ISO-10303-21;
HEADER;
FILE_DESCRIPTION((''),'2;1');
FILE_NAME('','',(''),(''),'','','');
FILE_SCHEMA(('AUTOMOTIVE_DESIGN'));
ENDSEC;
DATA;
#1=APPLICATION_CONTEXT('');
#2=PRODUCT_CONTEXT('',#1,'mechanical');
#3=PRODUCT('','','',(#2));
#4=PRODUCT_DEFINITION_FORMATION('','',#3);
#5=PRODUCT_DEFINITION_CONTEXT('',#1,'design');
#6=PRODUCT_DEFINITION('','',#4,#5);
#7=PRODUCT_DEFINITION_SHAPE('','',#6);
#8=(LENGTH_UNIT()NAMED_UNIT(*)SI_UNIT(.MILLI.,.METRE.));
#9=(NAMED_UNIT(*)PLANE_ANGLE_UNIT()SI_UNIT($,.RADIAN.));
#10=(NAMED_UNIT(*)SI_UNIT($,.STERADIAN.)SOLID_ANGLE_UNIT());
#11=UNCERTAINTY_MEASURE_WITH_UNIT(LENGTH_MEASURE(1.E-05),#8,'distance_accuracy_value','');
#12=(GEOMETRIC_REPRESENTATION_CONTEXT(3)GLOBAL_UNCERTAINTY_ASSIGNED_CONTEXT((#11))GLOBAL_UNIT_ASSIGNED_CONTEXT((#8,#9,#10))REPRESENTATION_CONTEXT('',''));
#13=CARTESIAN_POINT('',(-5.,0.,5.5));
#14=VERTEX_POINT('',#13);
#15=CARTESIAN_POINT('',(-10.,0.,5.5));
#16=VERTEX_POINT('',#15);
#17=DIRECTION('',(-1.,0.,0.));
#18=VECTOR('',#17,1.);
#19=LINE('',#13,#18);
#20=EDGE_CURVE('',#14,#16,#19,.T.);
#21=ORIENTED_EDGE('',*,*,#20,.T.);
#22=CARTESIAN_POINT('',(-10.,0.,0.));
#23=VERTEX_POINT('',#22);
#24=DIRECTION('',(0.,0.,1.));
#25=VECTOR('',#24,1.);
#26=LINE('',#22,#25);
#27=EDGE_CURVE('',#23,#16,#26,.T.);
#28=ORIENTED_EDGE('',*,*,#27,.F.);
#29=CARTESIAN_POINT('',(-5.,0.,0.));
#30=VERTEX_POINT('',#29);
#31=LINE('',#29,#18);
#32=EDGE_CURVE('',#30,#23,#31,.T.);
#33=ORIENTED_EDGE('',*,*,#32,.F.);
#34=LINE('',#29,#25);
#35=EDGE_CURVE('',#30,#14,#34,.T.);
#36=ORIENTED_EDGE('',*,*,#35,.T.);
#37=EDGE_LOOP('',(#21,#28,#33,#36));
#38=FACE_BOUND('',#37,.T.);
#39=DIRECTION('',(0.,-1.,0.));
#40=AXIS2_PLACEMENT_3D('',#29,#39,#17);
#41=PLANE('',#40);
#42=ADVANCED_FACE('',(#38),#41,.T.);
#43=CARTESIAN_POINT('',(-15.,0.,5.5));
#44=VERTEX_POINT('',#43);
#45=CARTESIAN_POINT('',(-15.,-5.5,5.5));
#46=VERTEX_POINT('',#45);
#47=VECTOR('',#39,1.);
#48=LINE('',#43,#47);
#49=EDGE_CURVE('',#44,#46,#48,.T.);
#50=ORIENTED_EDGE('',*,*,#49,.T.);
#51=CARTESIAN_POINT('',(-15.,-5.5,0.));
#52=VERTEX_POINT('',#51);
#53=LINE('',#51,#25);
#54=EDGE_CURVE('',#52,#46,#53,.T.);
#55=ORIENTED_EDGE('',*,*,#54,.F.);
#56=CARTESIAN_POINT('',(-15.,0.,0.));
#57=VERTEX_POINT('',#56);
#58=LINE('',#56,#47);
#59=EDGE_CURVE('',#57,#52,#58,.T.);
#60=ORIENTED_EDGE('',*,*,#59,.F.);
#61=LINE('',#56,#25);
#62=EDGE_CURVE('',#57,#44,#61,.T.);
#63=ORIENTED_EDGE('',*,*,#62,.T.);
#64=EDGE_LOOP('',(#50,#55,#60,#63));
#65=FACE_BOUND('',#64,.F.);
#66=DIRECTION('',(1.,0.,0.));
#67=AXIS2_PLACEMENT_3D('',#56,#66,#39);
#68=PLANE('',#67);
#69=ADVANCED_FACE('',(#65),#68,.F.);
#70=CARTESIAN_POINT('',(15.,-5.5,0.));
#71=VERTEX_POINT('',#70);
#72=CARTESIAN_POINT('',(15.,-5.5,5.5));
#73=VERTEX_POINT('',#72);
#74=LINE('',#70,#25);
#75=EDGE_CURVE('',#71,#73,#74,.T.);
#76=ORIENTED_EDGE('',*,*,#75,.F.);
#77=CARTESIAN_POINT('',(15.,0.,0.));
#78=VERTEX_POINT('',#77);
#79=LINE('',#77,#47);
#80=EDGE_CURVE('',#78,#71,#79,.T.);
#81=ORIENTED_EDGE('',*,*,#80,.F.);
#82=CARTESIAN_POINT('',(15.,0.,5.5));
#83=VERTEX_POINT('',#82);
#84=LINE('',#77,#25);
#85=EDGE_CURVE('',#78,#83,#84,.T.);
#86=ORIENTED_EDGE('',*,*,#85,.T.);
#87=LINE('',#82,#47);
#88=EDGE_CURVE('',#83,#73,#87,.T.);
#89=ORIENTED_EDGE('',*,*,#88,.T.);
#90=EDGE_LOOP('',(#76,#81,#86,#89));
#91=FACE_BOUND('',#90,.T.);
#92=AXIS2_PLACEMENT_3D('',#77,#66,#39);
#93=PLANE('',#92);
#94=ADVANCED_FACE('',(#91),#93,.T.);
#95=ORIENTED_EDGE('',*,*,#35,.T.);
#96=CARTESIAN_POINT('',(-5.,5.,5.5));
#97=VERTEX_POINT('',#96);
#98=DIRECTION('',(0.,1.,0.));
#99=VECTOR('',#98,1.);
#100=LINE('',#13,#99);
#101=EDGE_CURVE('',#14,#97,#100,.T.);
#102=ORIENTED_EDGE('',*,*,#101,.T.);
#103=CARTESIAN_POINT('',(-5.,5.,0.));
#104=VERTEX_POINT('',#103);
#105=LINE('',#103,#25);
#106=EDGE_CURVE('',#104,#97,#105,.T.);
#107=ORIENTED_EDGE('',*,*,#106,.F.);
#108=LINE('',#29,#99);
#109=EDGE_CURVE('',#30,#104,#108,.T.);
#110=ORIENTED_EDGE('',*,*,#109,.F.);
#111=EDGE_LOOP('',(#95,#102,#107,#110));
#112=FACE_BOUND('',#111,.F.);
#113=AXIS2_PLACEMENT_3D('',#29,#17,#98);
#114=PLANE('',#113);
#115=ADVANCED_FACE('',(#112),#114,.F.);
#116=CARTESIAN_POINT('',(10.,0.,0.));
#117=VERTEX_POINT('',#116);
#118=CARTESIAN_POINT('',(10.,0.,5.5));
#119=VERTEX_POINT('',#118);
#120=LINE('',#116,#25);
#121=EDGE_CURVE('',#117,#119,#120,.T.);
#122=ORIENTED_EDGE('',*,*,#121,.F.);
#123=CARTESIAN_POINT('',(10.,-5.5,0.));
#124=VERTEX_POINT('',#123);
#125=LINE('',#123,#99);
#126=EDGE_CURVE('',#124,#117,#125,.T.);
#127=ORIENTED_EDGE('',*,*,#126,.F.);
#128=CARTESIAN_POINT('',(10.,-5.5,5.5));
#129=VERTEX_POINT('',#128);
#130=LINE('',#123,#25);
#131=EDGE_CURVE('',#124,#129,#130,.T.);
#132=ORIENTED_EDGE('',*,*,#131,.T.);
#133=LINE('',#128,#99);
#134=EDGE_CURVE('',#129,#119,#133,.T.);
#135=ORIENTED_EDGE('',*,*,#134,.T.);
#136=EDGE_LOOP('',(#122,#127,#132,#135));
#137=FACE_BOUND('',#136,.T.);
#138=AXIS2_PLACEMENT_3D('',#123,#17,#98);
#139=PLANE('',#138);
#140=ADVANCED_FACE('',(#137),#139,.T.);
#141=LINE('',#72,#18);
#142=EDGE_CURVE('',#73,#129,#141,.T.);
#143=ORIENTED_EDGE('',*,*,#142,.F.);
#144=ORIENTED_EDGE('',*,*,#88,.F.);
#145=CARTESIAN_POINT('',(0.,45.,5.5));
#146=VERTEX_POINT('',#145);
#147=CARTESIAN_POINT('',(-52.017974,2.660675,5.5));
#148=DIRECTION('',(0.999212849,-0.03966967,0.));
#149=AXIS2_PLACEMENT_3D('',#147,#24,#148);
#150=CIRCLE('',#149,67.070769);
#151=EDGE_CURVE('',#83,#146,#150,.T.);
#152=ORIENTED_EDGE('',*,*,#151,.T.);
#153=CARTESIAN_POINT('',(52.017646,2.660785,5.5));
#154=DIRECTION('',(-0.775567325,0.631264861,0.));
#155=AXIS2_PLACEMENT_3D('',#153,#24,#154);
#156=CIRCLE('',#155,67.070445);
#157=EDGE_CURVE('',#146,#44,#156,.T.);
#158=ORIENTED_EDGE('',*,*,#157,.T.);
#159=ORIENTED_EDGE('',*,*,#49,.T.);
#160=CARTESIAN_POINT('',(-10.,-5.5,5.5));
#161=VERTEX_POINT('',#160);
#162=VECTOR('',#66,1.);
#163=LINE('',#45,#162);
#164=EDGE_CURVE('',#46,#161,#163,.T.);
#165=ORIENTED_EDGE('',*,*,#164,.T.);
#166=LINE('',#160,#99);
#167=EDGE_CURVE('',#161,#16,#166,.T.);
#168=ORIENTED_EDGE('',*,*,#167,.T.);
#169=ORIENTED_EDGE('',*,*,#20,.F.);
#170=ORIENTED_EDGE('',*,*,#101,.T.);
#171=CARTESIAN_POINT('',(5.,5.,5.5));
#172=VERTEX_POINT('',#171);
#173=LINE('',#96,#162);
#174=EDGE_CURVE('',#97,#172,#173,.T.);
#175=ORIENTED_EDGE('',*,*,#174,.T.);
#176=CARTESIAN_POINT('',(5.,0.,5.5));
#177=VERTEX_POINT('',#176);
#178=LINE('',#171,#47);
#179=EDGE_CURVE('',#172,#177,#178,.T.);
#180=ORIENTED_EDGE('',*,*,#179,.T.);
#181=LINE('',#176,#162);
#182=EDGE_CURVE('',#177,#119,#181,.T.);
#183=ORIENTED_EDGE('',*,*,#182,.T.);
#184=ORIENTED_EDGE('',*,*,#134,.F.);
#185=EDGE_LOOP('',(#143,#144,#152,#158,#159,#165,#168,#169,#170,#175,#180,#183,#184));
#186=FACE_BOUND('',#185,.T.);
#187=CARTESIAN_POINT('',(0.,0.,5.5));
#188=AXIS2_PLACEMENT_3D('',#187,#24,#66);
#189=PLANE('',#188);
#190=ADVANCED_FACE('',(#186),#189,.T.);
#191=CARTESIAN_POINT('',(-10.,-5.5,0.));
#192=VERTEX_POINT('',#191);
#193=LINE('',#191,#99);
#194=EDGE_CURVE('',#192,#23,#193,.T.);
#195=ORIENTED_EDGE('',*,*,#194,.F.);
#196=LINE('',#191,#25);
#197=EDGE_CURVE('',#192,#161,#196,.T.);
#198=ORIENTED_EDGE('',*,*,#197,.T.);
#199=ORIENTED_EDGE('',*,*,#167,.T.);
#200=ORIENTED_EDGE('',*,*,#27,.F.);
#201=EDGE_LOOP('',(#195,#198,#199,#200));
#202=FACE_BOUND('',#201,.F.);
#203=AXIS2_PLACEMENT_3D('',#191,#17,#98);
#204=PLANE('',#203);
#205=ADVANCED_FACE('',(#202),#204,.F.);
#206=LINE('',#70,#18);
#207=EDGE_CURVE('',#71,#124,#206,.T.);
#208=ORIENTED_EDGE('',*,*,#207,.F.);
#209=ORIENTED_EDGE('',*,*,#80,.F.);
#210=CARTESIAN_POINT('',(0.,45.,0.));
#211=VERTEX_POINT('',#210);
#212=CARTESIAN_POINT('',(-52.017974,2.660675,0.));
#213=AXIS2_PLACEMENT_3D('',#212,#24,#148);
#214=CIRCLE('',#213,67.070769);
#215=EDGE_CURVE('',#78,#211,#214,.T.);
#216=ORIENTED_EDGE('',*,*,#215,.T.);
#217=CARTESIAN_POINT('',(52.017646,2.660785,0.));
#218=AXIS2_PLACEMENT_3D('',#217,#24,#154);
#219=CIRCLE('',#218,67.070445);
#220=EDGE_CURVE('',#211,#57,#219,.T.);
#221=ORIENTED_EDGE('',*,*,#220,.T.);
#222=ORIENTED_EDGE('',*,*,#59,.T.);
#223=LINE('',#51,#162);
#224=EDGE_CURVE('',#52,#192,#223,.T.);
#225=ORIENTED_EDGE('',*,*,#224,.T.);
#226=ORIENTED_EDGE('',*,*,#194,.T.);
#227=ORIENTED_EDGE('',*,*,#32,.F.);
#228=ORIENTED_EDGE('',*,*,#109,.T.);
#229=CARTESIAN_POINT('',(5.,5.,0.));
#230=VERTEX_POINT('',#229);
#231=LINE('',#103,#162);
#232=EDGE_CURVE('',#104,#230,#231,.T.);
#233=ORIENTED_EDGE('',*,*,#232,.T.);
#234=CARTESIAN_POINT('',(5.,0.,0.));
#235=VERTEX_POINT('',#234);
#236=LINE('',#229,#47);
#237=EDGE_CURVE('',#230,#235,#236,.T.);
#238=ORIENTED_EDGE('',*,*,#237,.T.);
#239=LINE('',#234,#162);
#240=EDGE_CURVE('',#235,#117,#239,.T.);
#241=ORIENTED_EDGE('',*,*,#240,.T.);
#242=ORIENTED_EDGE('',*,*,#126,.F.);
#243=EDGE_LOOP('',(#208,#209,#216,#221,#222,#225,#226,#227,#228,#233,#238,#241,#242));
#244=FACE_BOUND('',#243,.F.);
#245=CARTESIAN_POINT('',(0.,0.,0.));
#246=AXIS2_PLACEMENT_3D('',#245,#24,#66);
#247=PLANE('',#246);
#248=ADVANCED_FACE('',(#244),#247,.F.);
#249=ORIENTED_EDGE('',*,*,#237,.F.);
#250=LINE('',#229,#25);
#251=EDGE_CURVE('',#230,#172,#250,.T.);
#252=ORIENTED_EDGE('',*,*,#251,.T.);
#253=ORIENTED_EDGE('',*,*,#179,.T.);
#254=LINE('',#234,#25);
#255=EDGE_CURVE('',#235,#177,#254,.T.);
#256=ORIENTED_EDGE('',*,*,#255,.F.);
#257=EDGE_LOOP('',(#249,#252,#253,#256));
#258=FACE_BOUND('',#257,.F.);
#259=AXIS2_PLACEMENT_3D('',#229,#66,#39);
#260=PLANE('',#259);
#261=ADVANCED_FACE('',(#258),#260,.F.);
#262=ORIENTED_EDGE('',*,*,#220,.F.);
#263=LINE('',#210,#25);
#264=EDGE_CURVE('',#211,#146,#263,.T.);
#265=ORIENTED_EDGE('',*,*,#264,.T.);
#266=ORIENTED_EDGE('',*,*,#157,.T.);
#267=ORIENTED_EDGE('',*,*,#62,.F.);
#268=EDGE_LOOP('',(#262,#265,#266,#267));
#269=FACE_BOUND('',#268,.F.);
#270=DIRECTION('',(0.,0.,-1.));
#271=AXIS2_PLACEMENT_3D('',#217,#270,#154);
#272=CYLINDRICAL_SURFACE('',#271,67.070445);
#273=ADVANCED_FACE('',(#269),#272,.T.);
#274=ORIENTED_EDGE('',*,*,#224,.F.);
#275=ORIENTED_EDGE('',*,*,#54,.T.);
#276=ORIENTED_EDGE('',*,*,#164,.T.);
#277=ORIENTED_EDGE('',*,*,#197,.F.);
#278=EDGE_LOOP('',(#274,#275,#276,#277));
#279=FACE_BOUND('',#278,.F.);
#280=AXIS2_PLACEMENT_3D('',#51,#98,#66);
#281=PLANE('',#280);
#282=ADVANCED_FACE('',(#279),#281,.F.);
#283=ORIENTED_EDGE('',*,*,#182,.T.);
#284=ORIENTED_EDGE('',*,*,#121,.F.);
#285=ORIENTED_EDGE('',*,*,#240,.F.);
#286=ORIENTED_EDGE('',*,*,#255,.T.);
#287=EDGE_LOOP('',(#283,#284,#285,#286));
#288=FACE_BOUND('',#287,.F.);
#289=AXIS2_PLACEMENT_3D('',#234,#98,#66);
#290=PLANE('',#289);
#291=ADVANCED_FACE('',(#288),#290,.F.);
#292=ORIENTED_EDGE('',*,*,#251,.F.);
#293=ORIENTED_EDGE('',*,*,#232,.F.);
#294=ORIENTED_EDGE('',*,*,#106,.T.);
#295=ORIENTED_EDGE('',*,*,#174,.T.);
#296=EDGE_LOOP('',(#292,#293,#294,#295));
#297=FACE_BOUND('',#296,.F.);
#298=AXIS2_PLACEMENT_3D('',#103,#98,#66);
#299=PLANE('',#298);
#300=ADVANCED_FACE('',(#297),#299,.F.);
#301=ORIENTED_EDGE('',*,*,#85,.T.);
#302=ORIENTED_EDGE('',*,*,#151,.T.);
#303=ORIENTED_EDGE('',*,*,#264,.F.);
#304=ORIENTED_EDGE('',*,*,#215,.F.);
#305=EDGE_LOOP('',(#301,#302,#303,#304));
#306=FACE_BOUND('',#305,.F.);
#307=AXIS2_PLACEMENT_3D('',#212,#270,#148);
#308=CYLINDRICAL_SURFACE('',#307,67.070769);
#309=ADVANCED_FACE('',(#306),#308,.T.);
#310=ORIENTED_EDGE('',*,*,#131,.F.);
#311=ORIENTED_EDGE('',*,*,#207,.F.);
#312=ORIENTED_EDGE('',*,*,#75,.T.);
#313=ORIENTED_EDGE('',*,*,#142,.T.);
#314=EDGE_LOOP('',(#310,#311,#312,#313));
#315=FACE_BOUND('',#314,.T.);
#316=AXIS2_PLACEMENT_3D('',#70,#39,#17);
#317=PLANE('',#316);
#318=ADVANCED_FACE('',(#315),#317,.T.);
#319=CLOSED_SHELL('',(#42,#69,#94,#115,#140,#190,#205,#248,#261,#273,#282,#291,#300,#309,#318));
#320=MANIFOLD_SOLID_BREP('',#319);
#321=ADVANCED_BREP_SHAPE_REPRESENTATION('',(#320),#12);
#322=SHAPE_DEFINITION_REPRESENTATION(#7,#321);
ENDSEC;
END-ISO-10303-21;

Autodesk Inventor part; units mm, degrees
ref_plane "YZ Plane" through (0, 0, 0) normal (1, 0, 0) x (0, 1, 0)
ref_plane "XZ Plane" through (0, 0, 0) normal (0, 1, 0) x (-1, 0, 0)
ref_plane "XY Plane" through (0, 0, 0) normal (0, 0, 1) x (1, 0, 0)
sketch "Sketch1" plane through (0, 0, 0) normal (0, 0, 1) x (1, 0, 0)
  line L0 (-5, 0) -> (-10, 0)
  arc A0 (0, 45) -> (-15, 0) centre (52.0178, 2.6607) ccw
  line L1 (-15, 0) -> (-15, -5.5)
  line L2 (-15, -5.5) -> (-10, -5.5)
  line L3 (-10, -5.5) -> (-10, 0)
  line L4 (5, 0) -> (10, 0)
  arc A1 (15, 0) -> (0, 45) centre (-52.0178, 2.6607) ccw
  line L5 (15, 0) -> (15, -5.5)
  line L6 (15, -5.5) -> (10, -5.5)
  line L7 (10, -5.5) -> (10, 0)
  line L8 (-5, 0) -> (-5, 5)
  line L9 (-5, 5) -> (5, 5)
  line L10 (5, 5) -> (5, 0)
  point P0 (0, 0)
  dimension "d1" = 5.5
  dimension "d2" = 5
  dimension "d5" = 10
extrude "Extrusion1" add sketch "Sketch1" along normal blind 5.5
properties part number "oreja"
